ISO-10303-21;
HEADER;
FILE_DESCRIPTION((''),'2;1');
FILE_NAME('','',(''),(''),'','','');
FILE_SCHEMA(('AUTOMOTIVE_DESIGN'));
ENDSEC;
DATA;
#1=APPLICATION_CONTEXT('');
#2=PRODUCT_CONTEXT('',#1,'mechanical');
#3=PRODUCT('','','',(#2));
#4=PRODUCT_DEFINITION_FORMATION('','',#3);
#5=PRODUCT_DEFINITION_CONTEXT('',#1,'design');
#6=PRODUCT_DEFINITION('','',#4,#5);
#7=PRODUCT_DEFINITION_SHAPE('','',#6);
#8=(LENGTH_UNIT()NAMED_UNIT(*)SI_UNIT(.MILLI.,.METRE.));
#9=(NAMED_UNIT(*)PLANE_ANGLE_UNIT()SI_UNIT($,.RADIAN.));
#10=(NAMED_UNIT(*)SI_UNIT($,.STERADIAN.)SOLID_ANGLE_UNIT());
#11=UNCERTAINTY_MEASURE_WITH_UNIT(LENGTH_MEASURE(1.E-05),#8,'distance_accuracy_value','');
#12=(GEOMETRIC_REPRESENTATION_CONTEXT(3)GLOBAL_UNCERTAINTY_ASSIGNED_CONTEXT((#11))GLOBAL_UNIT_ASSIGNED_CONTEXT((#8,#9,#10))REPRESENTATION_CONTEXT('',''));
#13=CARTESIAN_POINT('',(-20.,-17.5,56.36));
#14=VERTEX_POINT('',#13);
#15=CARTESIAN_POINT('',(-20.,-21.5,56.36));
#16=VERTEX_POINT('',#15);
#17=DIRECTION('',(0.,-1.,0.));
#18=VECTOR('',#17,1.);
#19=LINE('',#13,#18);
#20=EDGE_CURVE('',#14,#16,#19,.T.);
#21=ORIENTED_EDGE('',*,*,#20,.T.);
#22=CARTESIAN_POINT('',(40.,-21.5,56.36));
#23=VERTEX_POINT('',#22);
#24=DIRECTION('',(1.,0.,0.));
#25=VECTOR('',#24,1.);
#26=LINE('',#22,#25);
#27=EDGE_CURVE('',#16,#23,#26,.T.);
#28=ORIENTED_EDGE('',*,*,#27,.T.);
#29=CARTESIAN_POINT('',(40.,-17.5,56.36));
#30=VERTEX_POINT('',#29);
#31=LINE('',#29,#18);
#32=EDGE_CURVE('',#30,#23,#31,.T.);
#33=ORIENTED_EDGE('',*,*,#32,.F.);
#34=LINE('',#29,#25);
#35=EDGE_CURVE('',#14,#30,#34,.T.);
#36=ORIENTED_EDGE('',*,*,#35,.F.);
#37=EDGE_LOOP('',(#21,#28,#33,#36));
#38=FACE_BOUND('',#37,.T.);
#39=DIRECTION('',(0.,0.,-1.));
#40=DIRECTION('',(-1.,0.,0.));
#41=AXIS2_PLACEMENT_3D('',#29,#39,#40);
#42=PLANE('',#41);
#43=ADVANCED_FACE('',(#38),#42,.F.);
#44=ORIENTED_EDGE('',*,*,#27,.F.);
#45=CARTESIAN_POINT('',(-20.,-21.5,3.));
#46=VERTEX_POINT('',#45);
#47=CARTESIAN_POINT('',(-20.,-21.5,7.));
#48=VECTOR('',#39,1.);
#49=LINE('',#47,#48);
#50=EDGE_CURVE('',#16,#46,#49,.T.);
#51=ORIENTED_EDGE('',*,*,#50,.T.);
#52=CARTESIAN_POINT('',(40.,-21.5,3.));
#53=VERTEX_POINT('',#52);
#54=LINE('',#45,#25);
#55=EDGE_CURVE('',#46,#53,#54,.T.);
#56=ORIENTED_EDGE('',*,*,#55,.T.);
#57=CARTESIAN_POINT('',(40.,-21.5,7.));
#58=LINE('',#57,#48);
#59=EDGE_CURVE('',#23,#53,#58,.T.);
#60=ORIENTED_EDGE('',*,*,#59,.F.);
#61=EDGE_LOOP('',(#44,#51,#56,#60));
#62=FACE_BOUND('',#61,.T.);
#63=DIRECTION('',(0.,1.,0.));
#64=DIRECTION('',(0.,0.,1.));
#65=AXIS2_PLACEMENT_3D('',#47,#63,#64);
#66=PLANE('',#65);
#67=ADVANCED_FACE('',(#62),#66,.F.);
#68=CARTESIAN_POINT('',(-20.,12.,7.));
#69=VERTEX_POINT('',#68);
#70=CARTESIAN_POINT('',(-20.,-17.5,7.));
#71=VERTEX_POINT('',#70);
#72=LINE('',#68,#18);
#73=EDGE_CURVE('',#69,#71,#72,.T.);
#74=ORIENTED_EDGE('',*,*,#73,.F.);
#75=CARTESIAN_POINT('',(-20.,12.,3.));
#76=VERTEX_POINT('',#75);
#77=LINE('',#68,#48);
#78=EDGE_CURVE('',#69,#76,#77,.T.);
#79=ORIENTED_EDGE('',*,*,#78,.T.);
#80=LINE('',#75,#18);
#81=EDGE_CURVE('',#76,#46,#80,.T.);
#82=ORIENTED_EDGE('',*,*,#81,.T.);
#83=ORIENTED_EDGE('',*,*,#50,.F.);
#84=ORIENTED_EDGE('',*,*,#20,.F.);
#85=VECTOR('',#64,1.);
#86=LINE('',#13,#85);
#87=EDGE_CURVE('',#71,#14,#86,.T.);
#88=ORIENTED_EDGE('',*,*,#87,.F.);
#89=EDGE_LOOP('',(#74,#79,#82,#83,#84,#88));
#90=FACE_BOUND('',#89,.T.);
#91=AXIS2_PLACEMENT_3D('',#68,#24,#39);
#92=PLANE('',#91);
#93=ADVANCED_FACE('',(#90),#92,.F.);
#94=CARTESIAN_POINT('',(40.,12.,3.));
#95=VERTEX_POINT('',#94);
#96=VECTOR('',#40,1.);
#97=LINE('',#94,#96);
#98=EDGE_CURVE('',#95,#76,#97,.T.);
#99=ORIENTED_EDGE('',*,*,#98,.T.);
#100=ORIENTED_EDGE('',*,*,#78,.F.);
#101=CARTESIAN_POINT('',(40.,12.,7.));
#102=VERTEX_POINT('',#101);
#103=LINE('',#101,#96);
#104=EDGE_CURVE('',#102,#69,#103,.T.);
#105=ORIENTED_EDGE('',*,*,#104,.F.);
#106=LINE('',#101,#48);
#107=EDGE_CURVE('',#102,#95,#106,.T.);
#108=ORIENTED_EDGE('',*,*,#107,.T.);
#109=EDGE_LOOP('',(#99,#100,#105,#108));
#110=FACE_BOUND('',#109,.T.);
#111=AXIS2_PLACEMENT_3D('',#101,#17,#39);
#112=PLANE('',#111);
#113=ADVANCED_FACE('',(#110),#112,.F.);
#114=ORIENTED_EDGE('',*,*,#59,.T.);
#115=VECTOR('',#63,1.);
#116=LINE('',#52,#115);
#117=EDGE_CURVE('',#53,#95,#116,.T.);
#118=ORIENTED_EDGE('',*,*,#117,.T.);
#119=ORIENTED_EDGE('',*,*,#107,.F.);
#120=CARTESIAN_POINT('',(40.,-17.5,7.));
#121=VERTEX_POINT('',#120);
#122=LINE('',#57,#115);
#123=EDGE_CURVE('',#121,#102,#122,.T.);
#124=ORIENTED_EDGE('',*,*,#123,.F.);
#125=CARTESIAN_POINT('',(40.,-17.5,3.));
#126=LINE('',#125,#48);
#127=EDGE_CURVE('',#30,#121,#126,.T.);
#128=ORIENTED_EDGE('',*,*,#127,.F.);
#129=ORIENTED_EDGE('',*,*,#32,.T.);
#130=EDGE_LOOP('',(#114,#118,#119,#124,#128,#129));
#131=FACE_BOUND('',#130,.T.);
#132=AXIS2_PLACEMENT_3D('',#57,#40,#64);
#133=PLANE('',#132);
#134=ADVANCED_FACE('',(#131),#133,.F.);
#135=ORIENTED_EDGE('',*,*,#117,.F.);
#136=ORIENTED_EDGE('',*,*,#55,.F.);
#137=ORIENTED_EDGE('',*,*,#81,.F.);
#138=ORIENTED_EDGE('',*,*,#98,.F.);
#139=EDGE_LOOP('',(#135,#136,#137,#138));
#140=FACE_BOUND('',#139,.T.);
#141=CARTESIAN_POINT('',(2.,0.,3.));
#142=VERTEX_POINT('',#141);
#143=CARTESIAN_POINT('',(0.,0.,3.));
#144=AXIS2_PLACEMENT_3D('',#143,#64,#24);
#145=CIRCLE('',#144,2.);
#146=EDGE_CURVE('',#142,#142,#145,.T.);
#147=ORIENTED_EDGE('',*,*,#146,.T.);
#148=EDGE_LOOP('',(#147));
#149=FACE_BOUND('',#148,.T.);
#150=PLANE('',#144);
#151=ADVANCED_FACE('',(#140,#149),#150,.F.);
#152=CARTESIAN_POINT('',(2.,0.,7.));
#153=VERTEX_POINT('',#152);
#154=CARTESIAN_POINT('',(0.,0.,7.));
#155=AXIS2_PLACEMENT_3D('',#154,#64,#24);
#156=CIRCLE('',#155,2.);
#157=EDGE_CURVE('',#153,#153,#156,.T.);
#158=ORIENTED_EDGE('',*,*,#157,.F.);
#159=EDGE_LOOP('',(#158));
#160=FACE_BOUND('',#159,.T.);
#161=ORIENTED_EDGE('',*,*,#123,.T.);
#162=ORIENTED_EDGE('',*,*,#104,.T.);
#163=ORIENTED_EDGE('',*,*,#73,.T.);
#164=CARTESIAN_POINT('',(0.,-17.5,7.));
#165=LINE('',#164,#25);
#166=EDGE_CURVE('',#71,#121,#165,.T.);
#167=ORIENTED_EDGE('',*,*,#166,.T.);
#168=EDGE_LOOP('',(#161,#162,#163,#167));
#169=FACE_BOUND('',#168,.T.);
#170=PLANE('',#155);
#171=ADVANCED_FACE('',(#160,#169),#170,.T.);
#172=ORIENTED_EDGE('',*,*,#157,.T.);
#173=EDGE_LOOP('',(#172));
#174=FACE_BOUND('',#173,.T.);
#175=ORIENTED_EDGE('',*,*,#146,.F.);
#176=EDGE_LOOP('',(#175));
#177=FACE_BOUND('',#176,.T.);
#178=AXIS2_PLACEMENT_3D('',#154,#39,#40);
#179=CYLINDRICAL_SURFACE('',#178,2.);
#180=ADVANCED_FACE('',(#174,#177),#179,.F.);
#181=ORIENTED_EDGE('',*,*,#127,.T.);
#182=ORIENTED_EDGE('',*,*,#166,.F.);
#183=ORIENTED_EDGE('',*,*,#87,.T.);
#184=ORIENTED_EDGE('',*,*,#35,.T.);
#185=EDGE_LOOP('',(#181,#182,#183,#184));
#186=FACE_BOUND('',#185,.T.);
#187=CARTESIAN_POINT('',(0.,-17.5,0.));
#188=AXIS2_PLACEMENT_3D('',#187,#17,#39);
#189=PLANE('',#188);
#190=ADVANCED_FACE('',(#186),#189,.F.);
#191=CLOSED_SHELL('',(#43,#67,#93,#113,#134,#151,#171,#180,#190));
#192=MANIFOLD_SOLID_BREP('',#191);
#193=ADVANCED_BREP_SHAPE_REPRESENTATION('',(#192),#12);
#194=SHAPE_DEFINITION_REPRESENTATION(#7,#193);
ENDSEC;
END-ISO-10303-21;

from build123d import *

# Parameters (mm, degrees)
SK_HORN_PLATE_W   = 60
SK_HORN_PLATE_H   = 33.5
SK_HORN_PLATE_R   = 2
HORN_PLATE_DEPTH  = 4
SK_SERVO_PLATE_W  = 60
SK_SERVO_PLATE_H  = 53.36
SERVO_PLATE_DEPTH = 4


with BuildPart() as part:
    # SK_Horn_Plate → Horn_Plate (new body)
    with BuildSketch(Plane.XY.offset(3)):
        with Locations((10, -4.75)):
            Rectangle(SK_HORN_PLATE_W, SK_HORN_PLATE_H)
        Circle(SK_HORN_PLATE_R, mode=Mode.SUBTRACT)
    extrude(amount=HORN_PLATE_DEPTH)

    # SK_Servo_Plate → Servo_Plate (add)
    with BuildSketch(Plane(origin=(0, -21.5, 0), x_dir=(1, 0, 0), z_dir=(0, 1, 0))):
        with Locations((10, -29.68)):
            Rectangle(SK_SERVO_PLATE_W, SK_SERVO_PLATE_H)
    extrude(amount=SERVO_PLATE_DEPTH)


solid = part.part
